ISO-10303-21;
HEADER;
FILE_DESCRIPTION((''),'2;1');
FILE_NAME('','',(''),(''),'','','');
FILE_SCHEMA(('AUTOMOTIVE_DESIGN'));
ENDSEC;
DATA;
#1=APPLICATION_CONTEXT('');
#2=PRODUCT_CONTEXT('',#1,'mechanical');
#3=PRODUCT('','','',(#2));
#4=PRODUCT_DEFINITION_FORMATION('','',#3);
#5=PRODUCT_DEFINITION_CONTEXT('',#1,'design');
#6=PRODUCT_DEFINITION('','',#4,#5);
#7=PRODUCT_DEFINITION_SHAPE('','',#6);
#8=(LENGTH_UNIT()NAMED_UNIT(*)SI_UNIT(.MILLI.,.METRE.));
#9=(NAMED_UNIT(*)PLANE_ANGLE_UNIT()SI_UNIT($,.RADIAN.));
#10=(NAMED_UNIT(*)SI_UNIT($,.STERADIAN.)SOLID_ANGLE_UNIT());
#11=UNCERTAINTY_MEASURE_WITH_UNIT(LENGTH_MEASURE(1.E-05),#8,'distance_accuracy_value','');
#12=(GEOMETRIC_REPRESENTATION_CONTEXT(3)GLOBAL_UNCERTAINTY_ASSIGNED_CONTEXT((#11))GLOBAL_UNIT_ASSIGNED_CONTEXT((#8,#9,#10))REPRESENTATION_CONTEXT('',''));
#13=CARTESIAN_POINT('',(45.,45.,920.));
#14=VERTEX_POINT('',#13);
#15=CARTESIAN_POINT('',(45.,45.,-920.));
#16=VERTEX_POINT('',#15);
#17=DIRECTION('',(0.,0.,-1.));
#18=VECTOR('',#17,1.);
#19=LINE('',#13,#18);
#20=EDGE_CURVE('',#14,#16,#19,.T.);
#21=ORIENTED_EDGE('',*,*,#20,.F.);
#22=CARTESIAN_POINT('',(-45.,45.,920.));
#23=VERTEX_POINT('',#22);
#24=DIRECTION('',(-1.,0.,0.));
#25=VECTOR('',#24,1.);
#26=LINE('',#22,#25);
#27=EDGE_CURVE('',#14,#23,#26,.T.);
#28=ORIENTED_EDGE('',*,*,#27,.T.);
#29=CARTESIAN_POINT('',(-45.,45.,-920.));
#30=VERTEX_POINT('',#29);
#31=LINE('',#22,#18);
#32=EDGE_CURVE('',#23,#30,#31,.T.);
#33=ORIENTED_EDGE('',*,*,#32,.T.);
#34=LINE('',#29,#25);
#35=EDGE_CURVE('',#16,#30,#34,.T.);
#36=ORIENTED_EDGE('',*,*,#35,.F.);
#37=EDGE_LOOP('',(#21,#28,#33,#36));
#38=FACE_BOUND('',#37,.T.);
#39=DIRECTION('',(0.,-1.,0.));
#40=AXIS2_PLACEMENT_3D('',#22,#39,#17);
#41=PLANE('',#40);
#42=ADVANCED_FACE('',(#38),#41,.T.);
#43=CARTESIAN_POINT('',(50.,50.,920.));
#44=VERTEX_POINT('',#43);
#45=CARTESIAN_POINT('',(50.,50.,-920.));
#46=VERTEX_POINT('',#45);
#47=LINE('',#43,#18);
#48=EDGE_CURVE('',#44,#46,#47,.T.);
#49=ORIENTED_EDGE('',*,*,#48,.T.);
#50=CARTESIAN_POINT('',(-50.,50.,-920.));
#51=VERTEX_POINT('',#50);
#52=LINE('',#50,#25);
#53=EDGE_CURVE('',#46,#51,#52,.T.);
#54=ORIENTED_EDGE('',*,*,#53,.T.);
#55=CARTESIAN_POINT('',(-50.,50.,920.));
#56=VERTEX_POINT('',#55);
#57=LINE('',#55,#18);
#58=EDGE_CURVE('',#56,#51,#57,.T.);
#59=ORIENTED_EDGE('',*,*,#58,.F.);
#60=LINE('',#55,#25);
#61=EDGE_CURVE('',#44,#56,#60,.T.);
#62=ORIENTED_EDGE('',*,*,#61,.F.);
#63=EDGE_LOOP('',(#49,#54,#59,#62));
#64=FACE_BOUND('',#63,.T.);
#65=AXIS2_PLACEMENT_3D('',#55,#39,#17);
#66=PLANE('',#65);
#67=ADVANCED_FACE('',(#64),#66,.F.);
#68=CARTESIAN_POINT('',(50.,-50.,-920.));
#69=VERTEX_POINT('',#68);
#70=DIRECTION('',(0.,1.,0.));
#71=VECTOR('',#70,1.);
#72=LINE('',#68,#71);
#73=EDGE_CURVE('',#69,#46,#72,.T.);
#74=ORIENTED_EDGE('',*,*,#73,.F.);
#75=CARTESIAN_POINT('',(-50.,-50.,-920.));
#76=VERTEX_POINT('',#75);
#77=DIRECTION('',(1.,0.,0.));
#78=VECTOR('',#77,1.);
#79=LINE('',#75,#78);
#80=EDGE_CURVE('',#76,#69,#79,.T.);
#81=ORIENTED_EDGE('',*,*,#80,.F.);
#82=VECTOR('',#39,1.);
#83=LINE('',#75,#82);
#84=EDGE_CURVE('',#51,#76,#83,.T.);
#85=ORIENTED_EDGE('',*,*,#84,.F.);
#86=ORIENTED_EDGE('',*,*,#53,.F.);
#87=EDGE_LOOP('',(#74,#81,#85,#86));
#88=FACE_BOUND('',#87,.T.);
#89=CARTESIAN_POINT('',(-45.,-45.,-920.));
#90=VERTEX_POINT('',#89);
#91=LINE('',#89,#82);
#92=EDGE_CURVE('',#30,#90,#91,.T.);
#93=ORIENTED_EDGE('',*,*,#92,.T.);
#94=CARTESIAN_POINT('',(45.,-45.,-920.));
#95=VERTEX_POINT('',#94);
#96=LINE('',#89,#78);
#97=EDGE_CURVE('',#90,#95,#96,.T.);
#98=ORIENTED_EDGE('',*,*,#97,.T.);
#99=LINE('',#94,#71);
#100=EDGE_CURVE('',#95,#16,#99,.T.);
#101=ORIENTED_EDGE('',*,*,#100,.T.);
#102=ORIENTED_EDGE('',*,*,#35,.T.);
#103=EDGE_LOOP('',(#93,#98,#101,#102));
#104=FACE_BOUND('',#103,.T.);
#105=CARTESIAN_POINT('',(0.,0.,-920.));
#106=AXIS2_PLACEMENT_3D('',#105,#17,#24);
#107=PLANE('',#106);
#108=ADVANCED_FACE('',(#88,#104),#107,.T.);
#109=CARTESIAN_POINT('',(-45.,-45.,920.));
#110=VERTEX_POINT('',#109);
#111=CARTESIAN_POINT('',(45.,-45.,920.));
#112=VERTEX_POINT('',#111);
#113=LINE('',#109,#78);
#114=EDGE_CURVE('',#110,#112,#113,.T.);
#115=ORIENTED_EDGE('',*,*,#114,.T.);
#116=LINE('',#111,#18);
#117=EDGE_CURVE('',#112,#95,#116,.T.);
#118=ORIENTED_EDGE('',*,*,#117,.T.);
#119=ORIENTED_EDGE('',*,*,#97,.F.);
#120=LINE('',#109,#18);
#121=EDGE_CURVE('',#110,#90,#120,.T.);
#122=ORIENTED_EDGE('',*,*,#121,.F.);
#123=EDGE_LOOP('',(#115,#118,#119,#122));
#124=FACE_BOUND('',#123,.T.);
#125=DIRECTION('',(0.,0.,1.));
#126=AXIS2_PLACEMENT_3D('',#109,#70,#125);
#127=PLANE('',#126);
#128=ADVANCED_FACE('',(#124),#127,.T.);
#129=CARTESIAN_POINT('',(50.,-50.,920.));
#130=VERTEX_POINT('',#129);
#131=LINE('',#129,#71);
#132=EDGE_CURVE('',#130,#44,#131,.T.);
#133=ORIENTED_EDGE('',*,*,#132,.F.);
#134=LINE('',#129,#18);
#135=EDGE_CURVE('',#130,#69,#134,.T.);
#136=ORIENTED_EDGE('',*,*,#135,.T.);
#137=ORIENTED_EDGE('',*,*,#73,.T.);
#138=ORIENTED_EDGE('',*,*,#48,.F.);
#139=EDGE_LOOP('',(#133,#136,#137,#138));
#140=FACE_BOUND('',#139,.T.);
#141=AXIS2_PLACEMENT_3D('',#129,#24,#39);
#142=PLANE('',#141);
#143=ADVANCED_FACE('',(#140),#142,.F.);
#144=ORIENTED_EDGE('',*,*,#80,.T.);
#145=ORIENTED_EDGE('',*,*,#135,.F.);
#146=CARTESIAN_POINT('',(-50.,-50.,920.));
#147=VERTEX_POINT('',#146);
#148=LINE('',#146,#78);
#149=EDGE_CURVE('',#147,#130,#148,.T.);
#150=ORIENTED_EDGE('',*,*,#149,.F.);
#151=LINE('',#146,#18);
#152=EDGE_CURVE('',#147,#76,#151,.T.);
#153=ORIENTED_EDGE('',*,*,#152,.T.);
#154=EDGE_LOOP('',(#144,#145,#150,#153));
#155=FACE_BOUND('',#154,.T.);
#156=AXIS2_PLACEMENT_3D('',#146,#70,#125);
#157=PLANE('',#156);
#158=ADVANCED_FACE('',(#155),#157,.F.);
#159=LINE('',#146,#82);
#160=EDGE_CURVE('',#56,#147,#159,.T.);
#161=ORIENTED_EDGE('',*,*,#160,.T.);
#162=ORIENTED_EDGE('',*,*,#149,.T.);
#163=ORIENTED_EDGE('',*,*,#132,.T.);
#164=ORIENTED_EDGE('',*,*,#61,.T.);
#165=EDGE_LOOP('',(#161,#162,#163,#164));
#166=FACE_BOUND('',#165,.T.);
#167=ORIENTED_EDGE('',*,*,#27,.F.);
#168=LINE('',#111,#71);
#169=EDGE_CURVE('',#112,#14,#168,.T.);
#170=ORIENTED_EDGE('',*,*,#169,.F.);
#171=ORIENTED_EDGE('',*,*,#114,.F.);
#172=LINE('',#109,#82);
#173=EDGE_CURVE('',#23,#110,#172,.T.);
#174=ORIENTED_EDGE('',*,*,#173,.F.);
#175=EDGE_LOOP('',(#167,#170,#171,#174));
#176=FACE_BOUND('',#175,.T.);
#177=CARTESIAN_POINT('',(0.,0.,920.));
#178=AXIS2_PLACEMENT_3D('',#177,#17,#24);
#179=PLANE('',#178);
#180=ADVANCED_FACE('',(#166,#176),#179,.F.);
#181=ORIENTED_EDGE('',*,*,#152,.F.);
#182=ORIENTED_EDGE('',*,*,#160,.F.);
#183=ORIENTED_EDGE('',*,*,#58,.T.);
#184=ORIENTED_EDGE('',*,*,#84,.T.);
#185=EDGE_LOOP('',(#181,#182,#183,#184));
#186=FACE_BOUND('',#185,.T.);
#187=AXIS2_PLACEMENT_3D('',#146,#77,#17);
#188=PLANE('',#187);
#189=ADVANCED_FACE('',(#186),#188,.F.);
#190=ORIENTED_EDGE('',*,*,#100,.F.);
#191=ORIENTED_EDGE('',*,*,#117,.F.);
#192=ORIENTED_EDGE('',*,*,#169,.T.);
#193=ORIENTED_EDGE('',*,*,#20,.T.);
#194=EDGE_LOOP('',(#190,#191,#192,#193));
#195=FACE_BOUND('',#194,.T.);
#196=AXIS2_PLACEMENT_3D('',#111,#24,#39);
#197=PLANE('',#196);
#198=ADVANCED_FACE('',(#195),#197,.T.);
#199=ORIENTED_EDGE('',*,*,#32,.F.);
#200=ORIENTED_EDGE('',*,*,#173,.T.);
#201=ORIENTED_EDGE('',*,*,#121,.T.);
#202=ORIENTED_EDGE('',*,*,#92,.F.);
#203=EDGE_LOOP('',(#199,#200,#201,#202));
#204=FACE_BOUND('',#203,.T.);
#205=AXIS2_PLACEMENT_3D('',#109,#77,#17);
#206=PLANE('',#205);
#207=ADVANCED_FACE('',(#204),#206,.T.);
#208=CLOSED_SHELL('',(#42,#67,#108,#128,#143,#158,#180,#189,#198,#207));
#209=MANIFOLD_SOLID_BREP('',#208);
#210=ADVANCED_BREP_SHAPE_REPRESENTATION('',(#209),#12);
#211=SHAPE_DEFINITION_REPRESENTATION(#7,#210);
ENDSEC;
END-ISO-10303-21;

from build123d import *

# Parameters (mm, degrees)
SKETCH1_W           = 100
SKETCH1_H           = 100
SKETCH1_W_2         = 90
SKETCH1_H_2         = 90
BOSS_EXTRUDE1_DEPTH = 920


with BuildPart() as part:
    # Sketch1 → Boss-Extrude1 (new body, symmetric)
    with BuildSketch(Plane.XY):
        Rectangle(SKETCH1_W, SKETCH1_H)
        Rectangle(SKETCH1_W_2, SKETCH1_H_2, mode=Mode.SUBTRACT)
    extrude(amount=BOSS_EXTRUDE1_DEPTH, both=True)


solid = part.part
